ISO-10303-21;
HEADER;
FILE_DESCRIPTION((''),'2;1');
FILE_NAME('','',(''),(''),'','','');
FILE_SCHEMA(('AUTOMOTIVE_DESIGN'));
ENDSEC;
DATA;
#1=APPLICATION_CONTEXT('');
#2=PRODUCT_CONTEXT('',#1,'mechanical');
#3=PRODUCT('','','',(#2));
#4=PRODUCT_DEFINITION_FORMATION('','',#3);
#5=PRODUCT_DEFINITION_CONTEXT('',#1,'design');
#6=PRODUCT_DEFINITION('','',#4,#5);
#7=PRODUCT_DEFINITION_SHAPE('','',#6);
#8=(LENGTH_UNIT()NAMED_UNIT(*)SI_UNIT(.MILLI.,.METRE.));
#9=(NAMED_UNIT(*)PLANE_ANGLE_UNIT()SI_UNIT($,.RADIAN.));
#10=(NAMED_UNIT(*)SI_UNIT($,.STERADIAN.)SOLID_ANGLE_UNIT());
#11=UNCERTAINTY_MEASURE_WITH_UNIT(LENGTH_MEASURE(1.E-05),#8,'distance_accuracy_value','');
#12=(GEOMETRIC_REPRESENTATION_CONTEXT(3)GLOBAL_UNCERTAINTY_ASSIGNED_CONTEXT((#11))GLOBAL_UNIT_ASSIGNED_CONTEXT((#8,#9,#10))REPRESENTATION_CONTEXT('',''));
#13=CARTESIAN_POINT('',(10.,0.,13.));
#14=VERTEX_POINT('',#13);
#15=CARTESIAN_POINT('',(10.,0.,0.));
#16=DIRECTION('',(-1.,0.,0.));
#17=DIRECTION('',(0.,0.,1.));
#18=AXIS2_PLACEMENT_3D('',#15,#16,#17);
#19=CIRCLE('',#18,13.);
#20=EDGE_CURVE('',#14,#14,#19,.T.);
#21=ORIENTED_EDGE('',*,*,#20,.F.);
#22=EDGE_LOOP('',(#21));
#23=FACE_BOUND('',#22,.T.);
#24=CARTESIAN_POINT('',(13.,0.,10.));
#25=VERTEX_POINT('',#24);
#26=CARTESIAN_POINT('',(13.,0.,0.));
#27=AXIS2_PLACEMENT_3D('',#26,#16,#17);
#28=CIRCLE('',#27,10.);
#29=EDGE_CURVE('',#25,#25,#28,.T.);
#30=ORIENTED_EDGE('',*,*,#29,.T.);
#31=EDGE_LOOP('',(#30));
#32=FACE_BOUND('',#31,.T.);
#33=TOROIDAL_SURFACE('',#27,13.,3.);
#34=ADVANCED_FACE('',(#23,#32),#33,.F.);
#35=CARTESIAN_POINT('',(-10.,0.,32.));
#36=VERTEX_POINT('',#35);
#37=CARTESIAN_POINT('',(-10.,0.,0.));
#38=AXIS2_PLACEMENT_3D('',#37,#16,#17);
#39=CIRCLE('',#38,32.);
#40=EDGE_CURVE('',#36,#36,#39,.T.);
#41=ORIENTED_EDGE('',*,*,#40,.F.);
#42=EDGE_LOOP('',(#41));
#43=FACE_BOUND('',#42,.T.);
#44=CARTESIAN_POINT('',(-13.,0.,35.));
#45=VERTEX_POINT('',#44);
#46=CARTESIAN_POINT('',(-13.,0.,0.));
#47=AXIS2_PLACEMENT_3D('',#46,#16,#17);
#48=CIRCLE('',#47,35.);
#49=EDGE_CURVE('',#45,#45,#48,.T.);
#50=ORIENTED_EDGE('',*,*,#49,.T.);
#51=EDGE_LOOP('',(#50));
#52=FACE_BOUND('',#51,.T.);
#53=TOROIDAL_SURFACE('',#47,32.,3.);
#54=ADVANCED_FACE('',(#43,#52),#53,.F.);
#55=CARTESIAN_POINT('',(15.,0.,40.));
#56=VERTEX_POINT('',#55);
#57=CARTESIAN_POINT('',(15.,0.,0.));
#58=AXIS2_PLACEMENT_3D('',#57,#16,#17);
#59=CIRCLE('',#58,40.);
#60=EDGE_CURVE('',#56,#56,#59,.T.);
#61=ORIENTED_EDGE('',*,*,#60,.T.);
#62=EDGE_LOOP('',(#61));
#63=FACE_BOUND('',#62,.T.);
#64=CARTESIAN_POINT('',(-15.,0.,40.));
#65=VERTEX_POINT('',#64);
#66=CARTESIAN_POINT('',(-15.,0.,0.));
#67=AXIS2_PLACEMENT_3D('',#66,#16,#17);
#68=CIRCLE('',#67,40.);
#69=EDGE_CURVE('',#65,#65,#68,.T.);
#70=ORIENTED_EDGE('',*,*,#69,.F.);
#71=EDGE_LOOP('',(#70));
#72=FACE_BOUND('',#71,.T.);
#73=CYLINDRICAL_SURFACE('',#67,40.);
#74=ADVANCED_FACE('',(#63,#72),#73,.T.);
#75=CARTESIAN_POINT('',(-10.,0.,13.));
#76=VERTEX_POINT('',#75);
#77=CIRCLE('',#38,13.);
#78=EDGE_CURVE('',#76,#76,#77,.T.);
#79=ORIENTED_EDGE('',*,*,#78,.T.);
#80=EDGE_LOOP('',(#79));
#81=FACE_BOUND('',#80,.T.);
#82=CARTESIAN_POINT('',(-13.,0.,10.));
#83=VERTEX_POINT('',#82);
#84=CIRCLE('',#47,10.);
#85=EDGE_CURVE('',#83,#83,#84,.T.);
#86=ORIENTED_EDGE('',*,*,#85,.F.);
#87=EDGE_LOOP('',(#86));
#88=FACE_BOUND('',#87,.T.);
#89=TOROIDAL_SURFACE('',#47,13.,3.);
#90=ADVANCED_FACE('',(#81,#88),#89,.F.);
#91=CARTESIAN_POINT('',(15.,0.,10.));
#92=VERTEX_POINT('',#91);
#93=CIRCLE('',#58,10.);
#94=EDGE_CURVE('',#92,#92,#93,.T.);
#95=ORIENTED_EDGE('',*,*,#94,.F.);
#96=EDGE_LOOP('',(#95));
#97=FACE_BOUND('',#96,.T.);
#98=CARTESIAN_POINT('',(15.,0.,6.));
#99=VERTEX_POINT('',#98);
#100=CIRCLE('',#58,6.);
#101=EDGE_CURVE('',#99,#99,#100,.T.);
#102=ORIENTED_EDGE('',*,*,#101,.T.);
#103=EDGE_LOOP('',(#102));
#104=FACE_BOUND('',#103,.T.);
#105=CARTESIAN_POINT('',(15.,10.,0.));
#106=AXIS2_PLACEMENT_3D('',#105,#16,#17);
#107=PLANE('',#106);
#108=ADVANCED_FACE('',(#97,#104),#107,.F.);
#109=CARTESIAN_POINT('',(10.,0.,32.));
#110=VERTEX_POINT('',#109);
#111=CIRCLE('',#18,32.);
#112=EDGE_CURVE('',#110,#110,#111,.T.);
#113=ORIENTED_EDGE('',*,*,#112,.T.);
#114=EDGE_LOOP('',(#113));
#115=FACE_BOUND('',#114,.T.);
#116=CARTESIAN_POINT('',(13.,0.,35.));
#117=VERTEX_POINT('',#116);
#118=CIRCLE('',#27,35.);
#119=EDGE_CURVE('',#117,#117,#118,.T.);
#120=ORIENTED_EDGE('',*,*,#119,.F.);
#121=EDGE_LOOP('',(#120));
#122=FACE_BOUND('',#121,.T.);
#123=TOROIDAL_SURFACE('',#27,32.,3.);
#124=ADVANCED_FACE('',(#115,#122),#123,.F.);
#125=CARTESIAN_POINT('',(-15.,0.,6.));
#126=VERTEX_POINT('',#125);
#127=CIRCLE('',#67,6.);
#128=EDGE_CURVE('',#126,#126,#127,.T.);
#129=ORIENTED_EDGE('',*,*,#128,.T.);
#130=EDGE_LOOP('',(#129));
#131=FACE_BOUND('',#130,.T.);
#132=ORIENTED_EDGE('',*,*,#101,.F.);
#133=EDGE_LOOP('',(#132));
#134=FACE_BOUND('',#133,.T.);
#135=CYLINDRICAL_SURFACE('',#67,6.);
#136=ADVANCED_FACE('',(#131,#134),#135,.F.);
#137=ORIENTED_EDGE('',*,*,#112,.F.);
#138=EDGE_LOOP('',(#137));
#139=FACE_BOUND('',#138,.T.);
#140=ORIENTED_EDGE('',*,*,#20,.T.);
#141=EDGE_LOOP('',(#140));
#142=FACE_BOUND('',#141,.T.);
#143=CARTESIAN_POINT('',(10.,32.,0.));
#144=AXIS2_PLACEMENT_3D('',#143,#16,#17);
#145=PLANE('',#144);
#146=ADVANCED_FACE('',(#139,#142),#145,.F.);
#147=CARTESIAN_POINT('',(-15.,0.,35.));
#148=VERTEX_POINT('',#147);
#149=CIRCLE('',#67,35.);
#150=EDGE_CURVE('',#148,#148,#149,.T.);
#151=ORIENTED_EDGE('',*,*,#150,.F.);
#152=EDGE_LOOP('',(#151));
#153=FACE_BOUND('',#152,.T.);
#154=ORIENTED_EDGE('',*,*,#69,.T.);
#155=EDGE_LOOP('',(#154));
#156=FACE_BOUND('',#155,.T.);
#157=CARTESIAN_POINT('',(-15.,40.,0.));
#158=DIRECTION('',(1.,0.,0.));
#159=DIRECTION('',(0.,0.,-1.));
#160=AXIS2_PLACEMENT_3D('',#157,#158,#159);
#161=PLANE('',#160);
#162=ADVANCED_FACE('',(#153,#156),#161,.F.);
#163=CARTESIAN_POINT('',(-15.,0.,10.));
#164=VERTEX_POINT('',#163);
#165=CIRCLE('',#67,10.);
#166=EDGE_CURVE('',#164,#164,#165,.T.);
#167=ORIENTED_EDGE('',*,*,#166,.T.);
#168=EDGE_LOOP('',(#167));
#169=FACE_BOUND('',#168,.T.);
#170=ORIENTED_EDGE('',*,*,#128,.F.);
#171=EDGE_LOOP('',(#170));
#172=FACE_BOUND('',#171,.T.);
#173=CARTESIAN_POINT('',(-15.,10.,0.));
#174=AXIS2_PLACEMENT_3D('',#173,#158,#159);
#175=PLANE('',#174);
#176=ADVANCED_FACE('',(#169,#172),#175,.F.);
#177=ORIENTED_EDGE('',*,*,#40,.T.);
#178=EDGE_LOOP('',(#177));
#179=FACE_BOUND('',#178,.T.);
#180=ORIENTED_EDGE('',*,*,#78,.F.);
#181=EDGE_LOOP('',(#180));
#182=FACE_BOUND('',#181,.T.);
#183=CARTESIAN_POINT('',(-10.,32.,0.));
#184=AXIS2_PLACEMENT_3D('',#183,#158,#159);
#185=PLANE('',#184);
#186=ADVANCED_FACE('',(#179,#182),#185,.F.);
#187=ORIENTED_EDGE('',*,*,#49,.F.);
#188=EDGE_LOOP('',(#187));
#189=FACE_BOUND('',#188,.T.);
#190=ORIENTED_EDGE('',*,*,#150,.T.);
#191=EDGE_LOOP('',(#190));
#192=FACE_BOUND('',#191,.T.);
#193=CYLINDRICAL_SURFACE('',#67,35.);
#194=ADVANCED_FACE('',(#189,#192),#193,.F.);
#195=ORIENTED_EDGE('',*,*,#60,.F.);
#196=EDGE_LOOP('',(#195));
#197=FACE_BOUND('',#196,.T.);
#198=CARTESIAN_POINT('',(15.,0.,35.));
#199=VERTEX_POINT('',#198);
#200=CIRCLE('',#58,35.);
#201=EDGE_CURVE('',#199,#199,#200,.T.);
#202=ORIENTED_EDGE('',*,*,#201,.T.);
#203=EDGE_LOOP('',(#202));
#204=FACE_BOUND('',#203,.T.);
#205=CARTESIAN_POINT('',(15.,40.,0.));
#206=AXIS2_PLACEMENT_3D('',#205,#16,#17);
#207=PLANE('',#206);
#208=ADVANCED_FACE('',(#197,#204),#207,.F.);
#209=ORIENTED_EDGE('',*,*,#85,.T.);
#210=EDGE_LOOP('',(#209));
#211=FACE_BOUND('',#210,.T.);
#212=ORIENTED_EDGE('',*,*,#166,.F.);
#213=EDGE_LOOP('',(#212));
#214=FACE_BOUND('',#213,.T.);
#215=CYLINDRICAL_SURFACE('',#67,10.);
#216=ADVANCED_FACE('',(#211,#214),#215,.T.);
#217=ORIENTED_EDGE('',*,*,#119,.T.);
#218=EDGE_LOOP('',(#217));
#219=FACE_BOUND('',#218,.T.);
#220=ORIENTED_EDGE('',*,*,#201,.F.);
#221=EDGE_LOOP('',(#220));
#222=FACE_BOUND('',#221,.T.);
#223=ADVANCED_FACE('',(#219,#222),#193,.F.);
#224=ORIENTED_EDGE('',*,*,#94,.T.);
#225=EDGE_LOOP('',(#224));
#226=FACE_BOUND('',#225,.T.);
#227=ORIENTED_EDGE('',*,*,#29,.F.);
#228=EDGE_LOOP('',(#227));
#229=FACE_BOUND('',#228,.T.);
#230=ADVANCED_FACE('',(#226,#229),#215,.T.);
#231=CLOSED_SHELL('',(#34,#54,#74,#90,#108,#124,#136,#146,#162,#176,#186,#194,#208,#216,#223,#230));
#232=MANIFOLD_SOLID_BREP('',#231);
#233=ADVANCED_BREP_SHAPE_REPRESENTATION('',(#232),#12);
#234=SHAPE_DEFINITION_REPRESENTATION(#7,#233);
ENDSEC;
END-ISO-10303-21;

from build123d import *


with BuildPart() as part:
    # Sketch2 → Revolve1 (revolve)
    with BuildSketch(Plane.XY, mode=Mode.PRIVATE) as revolve1_sk:
        with BuildLine():
            Line((-15, 40), (15, 40))
            Line((15, 40), (15, 35))
            Line((15, 35), (13, 35))
            ThreePointArc((13, 35), (10.878679656, 34.121320344), (10, 32))
            Line((10, 32), (10, 13))
            ThreePointArc((10, 13), (10.878679656, 10.878679656), (13, 10))
            Line((13, 10), (15, 10))
            Line((15, 10), (15, 6))
            Line((15, 6), (-15, 6))
            Line((-15, 6), (-15, 10))
            Line((-15, 10), (-13, 10))
            ThreePointArc((-13, 10), (-10.878679656, 10.878679656), (-10, 13))
            Line((-10, 13), (-10, 32))
            ThreePointArc((-10, 32), (-10.878679656, 34.121320344), (-13, 35))
            Line((-13, 35), (-15, 35))
            Line((-15, 35), (-15, 40))
        make_face()
    revolve(revolve1_sk.sketch.rotate(Axis((-15, 0, 0), (1, 0, 0)), 90), axis=Axis((-15, 0, 0), (1, 0, 0)))


solid = part.part
